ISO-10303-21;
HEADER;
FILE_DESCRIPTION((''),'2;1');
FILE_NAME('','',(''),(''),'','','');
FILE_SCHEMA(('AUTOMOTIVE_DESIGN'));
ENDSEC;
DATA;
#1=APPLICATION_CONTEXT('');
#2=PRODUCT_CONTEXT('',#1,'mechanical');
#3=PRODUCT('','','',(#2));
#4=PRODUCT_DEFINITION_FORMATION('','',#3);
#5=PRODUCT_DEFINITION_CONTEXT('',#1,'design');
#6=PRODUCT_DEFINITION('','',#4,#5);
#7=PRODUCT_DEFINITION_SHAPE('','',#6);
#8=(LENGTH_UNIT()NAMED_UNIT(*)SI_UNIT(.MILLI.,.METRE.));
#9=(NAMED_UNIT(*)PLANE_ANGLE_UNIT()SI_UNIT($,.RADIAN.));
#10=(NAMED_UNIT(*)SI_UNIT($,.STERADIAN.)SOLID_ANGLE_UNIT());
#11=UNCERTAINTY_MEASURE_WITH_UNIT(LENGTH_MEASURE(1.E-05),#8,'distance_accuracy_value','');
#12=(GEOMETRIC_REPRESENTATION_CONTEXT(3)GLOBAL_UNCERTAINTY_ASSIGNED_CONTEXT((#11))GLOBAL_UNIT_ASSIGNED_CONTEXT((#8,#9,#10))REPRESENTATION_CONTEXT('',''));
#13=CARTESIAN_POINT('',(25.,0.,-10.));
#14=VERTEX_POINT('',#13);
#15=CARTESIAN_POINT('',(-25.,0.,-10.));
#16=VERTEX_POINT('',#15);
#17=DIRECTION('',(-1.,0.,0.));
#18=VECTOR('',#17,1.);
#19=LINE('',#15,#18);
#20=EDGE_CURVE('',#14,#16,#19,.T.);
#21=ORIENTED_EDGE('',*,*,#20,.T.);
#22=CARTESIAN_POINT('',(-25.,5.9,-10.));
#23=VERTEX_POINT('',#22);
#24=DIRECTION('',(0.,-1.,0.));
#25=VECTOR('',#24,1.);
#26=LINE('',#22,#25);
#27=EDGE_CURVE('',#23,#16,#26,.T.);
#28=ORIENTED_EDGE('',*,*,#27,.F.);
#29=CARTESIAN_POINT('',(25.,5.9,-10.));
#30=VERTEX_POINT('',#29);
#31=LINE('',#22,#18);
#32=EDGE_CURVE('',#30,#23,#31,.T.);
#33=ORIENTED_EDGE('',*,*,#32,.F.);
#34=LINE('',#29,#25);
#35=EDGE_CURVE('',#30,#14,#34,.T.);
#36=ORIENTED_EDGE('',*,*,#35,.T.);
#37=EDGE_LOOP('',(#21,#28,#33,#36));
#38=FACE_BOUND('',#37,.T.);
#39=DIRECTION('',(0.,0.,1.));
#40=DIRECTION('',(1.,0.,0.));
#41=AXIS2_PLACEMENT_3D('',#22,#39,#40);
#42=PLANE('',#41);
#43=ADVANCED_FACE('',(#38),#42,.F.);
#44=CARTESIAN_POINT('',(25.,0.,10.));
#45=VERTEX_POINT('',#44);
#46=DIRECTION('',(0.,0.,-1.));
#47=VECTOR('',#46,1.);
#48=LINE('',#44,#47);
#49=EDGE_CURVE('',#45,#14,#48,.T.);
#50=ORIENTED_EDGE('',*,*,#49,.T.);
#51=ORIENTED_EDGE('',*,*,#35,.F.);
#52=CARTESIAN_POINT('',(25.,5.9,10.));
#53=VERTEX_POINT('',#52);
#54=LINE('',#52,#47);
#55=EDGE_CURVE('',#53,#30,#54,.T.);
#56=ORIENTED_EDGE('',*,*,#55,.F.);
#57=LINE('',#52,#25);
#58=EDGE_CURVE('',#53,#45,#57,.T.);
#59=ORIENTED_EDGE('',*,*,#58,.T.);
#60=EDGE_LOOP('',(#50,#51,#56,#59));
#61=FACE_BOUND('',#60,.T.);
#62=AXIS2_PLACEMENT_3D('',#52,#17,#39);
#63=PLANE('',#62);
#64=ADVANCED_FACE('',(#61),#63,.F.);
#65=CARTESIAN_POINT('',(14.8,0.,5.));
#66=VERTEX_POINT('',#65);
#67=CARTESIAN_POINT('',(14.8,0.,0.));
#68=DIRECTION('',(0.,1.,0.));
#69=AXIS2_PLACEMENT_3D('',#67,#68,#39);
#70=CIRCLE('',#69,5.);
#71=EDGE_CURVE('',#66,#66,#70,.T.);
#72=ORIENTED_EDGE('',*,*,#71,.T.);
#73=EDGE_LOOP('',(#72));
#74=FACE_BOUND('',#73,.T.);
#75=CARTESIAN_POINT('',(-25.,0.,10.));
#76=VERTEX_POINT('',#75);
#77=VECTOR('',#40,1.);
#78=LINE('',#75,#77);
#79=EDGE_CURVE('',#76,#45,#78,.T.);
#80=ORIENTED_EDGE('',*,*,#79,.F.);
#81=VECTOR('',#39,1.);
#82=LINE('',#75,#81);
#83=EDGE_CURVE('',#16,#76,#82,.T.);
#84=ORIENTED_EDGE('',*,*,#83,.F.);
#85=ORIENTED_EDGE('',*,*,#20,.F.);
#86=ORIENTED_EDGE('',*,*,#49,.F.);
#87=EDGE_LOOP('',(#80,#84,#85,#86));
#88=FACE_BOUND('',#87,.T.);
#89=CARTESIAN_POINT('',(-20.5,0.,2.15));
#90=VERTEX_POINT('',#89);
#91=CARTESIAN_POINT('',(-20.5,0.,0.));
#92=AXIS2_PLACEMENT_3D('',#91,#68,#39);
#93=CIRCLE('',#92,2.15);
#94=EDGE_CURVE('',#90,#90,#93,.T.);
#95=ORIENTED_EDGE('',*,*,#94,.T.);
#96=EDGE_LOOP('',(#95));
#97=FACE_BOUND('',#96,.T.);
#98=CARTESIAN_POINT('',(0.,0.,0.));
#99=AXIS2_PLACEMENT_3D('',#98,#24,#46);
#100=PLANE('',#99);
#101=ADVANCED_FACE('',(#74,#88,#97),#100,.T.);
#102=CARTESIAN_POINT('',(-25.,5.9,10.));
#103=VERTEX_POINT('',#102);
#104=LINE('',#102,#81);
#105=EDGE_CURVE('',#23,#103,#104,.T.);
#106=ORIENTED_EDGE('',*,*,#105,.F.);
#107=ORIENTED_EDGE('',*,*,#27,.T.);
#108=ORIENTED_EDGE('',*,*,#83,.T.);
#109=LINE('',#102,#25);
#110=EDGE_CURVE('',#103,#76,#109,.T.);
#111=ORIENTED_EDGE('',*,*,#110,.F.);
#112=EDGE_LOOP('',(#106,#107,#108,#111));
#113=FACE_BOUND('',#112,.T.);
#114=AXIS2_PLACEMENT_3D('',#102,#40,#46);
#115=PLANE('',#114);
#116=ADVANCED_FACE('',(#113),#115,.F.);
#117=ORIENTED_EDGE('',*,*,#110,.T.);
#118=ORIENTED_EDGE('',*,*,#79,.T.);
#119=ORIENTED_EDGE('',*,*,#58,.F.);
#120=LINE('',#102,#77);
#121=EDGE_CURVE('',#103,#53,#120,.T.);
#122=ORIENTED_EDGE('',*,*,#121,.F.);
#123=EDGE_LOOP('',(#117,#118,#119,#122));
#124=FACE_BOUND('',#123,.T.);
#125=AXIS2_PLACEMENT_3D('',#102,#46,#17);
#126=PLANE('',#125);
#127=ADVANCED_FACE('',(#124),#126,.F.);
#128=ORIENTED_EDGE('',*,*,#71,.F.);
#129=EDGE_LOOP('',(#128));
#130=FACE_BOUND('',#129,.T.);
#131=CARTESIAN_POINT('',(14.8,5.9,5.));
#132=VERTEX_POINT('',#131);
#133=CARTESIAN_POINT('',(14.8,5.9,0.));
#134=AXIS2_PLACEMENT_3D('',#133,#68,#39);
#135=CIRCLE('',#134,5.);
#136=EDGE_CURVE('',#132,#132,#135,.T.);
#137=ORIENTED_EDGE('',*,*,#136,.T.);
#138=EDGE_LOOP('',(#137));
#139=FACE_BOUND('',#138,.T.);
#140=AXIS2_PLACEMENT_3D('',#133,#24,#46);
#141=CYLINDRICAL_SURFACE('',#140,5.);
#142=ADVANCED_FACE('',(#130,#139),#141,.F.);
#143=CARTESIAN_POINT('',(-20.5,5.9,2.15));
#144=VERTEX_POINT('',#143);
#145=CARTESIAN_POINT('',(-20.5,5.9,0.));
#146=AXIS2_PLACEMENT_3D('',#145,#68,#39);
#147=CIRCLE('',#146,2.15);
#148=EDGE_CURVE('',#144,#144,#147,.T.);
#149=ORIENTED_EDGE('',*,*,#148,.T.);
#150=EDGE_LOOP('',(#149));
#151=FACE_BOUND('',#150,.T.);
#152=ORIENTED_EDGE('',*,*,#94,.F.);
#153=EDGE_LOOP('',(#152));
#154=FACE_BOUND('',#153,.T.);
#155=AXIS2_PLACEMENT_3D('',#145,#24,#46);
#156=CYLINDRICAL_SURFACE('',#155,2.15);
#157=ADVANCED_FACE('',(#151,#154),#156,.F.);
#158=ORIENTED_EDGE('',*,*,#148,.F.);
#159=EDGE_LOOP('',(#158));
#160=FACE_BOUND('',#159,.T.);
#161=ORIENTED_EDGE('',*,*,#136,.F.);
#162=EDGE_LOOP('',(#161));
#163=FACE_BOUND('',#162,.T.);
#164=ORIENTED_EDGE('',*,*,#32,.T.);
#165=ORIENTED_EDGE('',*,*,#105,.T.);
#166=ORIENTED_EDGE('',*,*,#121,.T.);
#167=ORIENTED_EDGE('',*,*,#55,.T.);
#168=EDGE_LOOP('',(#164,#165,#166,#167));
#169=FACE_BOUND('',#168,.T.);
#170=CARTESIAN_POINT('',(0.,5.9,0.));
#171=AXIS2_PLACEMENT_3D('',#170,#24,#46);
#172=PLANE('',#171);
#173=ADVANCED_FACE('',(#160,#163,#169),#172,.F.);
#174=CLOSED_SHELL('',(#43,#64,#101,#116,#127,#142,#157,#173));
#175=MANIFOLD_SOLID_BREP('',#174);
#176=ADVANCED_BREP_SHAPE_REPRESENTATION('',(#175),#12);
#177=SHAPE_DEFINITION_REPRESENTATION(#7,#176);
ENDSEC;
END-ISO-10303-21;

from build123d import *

# Parameters (mm, degrees)
SKETCH1_W           = 50
SKETCH1_H           = 20
SKETCH1_R           = 5
SKETCH1_R_2         = 2.15
BOSS_EXTRUDE1_DEPTH = 5.9


with BuildPart() as part:
    # Sketch1 → Boss-Extrude1 (new body)
    with BuildSketch(Plane(origin=(0, 0, 0), x_dir=(1, 0, 0), z_dir=(0, 1, 0))):
        Rectangle(SKETCH1_W, SKETCH1_H)
        with Locations((14.8, 0)):
            Circle(SKETCH1_R, mode=Mode.SUBTRACT)
        with Locations((-20.5, 0)):
            Circle(SKETCH1_R_2, mode=Mode.SUBTRACT)
    extrude(amount=BOSS_EXTRUDE1_DEPTH)


solid = part.part
